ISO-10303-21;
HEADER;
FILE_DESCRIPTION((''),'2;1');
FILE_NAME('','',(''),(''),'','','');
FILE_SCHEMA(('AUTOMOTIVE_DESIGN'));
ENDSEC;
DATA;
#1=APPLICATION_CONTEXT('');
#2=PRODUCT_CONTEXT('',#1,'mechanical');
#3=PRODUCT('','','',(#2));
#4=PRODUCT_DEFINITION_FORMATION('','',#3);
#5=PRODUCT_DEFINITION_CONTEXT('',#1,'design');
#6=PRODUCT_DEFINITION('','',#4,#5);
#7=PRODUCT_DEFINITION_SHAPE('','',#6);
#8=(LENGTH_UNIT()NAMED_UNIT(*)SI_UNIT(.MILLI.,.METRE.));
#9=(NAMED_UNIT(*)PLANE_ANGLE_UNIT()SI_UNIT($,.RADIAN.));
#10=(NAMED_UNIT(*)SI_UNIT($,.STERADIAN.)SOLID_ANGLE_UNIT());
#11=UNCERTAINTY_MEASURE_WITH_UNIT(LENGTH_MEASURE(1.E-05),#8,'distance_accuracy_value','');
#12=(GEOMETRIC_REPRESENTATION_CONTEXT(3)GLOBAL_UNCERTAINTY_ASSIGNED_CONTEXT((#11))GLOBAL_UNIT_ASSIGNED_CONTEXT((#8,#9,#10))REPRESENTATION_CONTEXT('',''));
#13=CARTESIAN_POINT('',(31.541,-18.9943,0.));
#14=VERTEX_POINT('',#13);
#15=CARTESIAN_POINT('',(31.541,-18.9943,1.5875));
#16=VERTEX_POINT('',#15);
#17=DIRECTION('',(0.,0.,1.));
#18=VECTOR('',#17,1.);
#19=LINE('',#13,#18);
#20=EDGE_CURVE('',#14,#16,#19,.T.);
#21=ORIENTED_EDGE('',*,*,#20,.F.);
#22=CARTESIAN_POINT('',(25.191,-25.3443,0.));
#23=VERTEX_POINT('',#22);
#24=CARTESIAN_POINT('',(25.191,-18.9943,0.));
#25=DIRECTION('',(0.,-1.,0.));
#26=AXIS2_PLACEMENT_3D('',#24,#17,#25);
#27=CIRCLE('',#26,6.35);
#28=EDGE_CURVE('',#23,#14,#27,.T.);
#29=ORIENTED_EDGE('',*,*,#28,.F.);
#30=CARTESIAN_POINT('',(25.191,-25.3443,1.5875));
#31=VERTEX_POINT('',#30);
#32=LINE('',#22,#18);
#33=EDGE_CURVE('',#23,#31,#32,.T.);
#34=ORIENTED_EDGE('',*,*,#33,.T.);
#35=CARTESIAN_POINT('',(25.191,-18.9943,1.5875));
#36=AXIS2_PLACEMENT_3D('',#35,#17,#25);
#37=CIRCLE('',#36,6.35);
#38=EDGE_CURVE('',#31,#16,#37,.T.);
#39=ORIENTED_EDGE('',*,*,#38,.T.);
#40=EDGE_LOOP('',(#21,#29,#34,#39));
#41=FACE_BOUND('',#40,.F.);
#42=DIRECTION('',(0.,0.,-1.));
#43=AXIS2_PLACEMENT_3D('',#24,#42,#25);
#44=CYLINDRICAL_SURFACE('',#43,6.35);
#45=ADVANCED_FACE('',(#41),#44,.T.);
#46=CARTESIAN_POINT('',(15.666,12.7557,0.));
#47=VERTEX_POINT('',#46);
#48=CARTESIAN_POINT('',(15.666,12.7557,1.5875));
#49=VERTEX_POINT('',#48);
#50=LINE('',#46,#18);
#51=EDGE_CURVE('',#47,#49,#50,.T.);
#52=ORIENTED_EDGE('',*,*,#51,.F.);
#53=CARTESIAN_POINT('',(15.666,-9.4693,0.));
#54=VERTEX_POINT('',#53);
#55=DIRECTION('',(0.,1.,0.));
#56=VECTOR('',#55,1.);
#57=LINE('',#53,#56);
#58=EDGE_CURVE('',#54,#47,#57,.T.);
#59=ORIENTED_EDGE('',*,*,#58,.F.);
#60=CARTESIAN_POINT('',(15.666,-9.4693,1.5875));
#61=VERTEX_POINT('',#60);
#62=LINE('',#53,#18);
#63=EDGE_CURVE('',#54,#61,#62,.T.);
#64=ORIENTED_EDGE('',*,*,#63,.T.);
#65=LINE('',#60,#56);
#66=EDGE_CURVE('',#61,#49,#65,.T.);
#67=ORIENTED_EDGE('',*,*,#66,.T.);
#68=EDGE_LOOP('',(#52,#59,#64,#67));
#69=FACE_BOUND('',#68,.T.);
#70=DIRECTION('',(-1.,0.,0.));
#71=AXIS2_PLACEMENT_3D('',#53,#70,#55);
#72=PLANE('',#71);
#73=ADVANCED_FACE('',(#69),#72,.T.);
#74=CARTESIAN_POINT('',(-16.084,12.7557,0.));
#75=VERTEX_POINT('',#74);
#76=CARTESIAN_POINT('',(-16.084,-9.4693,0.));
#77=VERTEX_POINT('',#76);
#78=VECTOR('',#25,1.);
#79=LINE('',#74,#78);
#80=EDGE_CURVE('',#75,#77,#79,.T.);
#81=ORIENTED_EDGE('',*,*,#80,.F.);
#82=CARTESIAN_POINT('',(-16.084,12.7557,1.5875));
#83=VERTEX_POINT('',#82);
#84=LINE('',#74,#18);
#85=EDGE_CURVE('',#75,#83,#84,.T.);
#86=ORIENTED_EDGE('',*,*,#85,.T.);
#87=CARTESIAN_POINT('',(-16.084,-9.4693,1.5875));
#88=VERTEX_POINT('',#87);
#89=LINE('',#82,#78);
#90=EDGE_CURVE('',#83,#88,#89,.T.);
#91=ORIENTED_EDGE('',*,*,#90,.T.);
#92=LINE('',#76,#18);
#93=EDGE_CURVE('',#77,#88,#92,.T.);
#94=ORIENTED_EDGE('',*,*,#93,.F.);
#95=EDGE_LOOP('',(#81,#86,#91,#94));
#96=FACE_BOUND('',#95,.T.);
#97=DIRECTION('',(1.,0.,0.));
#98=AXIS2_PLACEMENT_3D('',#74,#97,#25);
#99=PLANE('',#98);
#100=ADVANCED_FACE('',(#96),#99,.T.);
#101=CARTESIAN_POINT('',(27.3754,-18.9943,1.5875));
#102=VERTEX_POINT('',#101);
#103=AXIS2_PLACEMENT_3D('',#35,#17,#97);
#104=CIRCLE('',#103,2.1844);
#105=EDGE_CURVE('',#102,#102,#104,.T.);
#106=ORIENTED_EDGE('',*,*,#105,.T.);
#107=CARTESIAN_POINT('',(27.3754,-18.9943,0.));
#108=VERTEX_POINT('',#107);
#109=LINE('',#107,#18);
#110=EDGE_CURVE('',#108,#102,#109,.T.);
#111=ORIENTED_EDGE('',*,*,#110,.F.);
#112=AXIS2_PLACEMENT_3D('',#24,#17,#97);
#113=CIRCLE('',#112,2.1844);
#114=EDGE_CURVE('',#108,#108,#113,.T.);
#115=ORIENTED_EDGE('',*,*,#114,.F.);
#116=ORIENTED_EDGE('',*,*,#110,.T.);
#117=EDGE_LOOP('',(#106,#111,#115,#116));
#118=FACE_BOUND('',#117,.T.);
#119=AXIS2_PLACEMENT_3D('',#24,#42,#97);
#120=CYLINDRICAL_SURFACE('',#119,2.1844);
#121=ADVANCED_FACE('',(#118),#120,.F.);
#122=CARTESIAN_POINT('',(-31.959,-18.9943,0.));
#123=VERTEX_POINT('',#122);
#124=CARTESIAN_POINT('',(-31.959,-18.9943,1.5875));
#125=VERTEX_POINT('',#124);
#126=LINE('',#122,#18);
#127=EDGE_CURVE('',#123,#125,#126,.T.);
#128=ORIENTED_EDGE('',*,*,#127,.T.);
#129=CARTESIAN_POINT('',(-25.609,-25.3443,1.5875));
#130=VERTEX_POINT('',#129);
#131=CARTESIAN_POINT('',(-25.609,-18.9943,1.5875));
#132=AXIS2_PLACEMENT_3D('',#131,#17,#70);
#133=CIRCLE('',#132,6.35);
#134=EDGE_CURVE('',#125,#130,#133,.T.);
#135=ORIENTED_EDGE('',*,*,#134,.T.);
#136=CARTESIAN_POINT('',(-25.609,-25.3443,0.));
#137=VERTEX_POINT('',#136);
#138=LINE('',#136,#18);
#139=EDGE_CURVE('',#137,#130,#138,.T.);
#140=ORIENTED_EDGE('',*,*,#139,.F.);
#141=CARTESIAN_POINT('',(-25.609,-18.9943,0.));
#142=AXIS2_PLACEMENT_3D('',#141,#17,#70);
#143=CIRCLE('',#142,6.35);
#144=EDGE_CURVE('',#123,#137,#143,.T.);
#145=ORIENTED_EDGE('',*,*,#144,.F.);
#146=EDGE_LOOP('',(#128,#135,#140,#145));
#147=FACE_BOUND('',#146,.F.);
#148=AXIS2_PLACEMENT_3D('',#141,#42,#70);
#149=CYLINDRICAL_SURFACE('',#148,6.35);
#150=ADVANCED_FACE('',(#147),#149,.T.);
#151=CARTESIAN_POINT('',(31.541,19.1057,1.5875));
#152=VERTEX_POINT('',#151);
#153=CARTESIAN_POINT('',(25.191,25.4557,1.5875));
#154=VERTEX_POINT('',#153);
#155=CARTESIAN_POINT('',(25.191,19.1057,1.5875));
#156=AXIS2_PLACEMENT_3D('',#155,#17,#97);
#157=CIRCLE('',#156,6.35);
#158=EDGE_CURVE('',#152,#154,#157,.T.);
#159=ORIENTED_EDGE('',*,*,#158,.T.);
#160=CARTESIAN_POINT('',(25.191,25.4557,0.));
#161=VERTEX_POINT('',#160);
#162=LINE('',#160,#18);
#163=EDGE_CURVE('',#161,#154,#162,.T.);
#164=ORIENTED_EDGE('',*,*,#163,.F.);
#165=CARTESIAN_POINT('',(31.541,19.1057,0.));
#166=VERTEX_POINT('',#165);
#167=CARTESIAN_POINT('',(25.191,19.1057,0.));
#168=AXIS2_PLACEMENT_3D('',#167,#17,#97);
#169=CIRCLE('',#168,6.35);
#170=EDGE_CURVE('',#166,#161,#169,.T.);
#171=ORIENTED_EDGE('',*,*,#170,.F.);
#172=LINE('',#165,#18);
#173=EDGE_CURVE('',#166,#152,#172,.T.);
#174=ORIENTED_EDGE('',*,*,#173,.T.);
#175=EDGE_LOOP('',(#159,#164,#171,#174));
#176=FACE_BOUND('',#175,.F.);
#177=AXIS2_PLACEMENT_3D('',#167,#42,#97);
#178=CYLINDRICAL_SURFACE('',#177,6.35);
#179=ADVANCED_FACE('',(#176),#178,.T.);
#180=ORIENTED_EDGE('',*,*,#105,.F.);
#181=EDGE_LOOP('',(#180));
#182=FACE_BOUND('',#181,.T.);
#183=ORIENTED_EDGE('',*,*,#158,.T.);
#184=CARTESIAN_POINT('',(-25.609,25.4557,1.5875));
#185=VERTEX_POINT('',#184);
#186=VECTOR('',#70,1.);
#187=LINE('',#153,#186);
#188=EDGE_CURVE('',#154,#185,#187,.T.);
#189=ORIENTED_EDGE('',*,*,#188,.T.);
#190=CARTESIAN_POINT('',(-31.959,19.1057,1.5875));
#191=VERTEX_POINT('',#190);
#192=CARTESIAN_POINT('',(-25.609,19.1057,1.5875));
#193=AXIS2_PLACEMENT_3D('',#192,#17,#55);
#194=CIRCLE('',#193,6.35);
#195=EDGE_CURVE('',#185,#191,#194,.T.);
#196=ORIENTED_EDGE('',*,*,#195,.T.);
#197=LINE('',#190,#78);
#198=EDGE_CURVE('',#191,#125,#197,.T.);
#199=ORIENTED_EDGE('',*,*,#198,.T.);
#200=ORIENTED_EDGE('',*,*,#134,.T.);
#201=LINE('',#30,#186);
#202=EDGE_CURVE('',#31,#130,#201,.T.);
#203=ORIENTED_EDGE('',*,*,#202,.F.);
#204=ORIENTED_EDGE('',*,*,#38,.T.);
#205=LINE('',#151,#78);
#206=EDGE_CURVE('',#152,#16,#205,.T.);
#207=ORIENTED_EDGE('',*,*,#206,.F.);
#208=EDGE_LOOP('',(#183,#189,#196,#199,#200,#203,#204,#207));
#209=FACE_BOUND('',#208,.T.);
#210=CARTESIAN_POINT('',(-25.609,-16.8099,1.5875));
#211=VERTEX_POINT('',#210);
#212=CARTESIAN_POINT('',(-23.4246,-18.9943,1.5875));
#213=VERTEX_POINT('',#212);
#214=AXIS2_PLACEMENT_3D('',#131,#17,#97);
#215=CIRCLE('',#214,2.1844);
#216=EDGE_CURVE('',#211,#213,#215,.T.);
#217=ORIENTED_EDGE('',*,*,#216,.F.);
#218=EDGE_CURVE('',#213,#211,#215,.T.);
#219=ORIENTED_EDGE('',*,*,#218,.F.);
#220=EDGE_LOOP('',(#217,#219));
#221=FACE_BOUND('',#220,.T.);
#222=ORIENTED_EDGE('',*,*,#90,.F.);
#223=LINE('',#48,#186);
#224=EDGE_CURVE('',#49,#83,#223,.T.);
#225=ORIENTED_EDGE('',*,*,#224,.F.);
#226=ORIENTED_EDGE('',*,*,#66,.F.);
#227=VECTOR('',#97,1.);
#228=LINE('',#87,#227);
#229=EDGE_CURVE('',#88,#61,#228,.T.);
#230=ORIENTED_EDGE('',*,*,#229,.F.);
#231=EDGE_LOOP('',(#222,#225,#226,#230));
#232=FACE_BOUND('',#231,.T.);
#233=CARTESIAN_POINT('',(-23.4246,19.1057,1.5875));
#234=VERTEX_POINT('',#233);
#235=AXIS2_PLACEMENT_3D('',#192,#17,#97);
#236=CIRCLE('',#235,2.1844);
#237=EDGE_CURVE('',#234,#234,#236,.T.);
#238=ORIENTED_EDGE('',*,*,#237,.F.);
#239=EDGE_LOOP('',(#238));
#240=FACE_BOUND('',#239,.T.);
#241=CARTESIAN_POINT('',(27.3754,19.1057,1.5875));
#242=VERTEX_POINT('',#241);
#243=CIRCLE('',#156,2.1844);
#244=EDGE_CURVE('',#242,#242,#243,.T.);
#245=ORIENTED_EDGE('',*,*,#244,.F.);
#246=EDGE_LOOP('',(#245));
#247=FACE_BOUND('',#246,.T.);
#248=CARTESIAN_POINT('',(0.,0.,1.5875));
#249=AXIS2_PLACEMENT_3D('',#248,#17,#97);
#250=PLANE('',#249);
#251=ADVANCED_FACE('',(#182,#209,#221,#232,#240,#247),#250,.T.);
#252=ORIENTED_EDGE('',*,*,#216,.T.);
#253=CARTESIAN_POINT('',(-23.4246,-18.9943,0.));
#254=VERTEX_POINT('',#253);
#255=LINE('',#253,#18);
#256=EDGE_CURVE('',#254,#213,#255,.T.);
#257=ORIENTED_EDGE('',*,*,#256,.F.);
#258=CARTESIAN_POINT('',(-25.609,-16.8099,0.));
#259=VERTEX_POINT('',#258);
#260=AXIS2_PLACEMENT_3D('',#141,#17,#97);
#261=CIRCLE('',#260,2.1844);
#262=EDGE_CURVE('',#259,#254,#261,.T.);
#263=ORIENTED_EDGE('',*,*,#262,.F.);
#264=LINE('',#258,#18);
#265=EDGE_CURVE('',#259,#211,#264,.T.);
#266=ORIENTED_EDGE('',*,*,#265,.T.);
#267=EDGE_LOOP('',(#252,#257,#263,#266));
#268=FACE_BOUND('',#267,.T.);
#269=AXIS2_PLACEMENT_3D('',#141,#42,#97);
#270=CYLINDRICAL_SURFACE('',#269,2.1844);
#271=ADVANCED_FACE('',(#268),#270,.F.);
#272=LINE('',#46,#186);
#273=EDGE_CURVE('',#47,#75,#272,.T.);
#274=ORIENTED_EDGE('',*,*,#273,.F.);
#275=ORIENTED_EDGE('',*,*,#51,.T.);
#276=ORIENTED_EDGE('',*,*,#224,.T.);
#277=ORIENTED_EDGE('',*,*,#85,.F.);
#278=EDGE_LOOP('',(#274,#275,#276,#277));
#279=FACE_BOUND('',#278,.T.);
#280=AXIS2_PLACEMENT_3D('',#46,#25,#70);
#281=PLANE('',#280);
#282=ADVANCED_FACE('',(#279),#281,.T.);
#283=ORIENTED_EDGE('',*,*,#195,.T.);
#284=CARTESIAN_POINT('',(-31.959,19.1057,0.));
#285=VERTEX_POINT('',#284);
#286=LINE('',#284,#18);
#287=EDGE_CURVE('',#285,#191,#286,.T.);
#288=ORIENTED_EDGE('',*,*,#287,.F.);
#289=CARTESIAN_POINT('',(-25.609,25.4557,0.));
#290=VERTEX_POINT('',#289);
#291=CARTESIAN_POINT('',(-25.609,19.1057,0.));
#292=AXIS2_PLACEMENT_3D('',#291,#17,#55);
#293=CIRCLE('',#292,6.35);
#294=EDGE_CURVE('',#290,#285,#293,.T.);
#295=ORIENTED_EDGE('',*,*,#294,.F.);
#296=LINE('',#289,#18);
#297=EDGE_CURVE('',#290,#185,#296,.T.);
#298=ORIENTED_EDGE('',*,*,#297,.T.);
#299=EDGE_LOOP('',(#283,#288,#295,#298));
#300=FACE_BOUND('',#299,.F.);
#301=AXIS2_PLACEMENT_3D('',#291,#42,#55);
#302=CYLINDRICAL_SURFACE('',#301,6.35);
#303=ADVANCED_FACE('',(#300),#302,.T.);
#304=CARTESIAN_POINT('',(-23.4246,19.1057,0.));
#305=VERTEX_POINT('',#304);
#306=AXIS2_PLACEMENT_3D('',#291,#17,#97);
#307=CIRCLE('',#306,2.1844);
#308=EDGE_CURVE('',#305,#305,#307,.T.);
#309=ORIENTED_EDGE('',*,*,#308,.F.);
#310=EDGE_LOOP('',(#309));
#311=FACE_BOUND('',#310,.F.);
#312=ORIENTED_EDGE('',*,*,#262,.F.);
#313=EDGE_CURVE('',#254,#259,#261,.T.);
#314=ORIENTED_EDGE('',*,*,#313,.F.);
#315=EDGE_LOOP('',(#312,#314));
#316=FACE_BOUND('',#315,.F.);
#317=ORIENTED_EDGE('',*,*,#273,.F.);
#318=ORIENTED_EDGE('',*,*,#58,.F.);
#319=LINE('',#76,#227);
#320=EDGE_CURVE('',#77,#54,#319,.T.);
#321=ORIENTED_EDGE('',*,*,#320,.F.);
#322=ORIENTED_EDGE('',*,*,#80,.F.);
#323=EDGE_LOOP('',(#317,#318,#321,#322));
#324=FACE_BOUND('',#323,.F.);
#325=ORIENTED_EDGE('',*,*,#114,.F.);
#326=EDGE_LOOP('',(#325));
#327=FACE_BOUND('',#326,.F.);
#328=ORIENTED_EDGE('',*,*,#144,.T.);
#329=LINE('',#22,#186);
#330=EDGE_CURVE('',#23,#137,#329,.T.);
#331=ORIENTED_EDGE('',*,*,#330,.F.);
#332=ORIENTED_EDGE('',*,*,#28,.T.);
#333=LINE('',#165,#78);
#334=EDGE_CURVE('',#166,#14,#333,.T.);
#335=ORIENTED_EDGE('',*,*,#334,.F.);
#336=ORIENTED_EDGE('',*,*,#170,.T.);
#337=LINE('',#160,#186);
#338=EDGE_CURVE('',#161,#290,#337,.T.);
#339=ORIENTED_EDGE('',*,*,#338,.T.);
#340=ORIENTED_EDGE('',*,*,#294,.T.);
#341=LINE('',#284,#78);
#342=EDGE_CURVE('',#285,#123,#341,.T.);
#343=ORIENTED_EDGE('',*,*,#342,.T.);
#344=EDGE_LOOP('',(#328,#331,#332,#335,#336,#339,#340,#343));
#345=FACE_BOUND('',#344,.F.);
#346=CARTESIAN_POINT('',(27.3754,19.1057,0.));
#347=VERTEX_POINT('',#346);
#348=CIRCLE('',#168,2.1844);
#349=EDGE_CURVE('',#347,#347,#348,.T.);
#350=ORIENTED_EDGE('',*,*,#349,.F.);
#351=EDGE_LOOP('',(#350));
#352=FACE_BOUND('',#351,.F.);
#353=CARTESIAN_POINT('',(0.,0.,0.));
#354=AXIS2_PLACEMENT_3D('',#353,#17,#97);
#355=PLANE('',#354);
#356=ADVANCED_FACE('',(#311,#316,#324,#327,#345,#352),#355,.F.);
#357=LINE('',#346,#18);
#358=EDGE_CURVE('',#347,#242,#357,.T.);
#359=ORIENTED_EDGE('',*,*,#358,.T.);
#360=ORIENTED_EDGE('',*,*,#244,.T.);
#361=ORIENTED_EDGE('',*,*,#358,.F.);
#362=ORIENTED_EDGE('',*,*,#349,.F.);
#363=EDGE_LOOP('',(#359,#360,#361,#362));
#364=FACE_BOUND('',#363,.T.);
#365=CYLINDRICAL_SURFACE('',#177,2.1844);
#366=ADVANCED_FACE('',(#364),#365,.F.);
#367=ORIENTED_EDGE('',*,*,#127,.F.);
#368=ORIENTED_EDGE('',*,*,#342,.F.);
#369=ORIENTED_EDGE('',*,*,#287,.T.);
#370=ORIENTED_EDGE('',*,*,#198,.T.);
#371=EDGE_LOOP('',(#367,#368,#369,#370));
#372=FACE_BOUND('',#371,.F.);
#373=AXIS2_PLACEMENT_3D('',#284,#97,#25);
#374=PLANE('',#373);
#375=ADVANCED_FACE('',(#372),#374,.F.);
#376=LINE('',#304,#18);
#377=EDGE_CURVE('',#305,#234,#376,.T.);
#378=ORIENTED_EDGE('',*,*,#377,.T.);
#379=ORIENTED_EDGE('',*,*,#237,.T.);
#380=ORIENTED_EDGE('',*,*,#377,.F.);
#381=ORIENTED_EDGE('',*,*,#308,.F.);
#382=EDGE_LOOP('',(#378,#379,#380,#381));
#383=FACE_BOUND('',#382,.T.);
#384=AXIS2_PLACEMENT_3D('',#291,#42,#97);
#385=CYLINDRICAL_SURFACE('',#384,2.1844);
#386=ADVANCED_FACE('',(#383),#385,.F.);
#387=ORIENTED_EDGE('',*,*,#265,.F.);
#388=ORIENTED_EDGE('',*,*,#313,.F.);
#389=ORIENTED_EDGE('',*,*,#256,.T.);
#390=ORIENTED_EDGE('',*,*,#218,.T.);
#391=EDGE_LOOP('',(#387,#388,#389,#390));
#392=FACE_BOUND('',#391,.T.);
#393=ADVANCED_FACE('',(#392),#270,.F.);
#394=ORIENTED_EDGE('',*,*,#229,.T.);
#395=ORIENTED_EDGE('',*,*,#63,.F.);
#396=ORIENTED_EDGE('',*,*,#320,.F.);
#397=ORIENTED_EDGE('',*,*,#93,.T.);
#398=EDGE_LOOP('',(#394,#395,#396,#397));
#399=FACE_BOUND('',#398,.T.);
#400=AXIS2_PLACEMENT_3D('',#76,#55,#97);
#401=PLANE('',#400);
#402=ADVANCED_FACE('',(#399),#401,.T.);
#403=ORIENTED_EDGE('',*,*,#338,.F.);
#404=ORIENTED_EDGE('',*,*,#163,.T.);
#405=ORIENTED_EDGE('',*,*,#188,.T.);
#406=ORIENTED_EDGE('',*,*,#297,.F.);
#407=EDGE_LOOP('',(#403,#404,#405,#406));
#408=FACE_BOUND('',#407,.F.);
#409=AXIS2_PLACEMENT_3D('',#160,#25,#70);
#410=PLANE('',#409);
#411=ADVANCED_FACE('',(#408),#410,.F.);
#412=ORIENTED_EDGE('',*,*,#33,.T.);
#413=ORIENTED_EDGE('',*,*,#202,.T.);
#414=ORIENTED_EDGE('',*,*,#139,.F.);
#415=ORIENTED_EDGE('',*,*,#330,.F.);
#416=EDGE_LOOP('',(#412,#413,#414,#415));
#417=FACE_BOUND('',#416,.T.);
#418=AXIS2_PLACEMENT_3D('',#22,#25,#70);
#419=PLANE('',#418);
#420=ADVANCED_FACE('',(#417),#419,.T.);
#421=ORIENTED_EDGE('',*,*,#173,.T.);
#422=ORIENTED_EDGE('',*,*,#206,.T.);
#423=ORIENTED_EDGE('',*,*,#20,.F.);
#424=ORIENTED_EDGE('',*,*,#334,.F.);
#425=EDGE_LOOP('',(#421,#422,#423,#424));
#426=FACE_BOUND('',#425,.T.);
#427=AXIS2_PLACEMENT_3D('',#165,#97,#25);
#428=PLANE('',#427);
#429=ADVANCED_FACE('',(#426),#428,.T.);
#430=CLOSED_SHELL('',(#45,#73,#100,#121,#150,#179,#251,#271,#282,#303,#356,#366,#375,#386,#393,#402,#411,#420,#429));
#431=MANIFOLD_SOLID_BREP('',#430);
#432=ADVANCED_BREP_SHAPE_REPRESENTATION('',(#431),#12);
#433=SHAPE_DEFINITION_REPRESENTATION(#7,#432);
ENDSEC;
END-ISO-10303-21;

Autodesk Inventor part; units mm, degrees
ref_plane "YZ Plane" through (0, 0, 0) normal (1, 0, 0) x (0, 1, 0)
ref_plane "XZ Plane" through (0, 0, 0) normal (0, 1, 0) x (-1, 0, 0)
ref_plane "XY Plane" through (0, 0, 0) normal (0, 0, 1) x (1, 0, 0)
sketch "Sketch1" plane through (0, 0, 0) normal (0, 0, 1) x (1, 0, 0)
  circle A0 centre (-25.609, -18.9943) radius 2.1844
  circle A1 centre (25.191, -18.9943) radius 2.1844
  arc A2 (-31.959, -18.9943) -> (-25.609, -25.3443) centre (-25.609, -18.9943) ccw
  arc A3 (25.191, -25.3443) -> (31.541, -18.9943) centre (25.191, -18.9943) ccw
  circle A4 centre (-25.609, 19.1057) radius 2.1844
  circle A5 centre (25.191, 19.1057) radius 2.1844
  arc A6 (31.541, 19.1057) -> (25.191, 25.4557) centre (25.191, 19.1057) ccw
  arc A7 (-25.609, 25.4557) -> (-31.959, 19.1057) centre (-25.609, 19.1057) ccw
  line L0 (31.541, 19.1057) -> (31.541, -18.9943)
  line L1 (25.191, 25.4557) -> (-25.609, 25.4557)
  line L2 (-31.959, 19.1057) -> (-31.959, -18.9943)
  line L3 (25.191, -25.3443) -> (-25.609, -25.3443)
  line L4 (15.666, 12.7557) -> (-16.084, 12.7557)
  line L5 (-16.084, 12.7557) -> (-16.084, -9.4693)
  line L6 (-16.084, -9.4693) -> (15.666, -9.4693)
  line L7 (15.666, -9.4693) -> (15.666, 12.7557)
  line L8 (-25.609, -18.9943) -> (-25.609, -12.6443)
  point P0 (0, 0)
  point P1 (25.191, 0.0557)
  dimension "d0" = 12.7
  dimension "d1" = 12.7
  dimension "d2" = 4.3688
  dimension "d3" = 4.3688
  dimension "d4" = 12.7
  dimension "d5" = 12.7
  dimension "d6" = 31.75
  dimension "d7" = 22.225
  dimension "d8" = 9.525
  dimension "d9" = 12.7
extrude "Extrusion1" add sketch "Sketch1" along normal blind 1.5875
properties part number "leaf"
